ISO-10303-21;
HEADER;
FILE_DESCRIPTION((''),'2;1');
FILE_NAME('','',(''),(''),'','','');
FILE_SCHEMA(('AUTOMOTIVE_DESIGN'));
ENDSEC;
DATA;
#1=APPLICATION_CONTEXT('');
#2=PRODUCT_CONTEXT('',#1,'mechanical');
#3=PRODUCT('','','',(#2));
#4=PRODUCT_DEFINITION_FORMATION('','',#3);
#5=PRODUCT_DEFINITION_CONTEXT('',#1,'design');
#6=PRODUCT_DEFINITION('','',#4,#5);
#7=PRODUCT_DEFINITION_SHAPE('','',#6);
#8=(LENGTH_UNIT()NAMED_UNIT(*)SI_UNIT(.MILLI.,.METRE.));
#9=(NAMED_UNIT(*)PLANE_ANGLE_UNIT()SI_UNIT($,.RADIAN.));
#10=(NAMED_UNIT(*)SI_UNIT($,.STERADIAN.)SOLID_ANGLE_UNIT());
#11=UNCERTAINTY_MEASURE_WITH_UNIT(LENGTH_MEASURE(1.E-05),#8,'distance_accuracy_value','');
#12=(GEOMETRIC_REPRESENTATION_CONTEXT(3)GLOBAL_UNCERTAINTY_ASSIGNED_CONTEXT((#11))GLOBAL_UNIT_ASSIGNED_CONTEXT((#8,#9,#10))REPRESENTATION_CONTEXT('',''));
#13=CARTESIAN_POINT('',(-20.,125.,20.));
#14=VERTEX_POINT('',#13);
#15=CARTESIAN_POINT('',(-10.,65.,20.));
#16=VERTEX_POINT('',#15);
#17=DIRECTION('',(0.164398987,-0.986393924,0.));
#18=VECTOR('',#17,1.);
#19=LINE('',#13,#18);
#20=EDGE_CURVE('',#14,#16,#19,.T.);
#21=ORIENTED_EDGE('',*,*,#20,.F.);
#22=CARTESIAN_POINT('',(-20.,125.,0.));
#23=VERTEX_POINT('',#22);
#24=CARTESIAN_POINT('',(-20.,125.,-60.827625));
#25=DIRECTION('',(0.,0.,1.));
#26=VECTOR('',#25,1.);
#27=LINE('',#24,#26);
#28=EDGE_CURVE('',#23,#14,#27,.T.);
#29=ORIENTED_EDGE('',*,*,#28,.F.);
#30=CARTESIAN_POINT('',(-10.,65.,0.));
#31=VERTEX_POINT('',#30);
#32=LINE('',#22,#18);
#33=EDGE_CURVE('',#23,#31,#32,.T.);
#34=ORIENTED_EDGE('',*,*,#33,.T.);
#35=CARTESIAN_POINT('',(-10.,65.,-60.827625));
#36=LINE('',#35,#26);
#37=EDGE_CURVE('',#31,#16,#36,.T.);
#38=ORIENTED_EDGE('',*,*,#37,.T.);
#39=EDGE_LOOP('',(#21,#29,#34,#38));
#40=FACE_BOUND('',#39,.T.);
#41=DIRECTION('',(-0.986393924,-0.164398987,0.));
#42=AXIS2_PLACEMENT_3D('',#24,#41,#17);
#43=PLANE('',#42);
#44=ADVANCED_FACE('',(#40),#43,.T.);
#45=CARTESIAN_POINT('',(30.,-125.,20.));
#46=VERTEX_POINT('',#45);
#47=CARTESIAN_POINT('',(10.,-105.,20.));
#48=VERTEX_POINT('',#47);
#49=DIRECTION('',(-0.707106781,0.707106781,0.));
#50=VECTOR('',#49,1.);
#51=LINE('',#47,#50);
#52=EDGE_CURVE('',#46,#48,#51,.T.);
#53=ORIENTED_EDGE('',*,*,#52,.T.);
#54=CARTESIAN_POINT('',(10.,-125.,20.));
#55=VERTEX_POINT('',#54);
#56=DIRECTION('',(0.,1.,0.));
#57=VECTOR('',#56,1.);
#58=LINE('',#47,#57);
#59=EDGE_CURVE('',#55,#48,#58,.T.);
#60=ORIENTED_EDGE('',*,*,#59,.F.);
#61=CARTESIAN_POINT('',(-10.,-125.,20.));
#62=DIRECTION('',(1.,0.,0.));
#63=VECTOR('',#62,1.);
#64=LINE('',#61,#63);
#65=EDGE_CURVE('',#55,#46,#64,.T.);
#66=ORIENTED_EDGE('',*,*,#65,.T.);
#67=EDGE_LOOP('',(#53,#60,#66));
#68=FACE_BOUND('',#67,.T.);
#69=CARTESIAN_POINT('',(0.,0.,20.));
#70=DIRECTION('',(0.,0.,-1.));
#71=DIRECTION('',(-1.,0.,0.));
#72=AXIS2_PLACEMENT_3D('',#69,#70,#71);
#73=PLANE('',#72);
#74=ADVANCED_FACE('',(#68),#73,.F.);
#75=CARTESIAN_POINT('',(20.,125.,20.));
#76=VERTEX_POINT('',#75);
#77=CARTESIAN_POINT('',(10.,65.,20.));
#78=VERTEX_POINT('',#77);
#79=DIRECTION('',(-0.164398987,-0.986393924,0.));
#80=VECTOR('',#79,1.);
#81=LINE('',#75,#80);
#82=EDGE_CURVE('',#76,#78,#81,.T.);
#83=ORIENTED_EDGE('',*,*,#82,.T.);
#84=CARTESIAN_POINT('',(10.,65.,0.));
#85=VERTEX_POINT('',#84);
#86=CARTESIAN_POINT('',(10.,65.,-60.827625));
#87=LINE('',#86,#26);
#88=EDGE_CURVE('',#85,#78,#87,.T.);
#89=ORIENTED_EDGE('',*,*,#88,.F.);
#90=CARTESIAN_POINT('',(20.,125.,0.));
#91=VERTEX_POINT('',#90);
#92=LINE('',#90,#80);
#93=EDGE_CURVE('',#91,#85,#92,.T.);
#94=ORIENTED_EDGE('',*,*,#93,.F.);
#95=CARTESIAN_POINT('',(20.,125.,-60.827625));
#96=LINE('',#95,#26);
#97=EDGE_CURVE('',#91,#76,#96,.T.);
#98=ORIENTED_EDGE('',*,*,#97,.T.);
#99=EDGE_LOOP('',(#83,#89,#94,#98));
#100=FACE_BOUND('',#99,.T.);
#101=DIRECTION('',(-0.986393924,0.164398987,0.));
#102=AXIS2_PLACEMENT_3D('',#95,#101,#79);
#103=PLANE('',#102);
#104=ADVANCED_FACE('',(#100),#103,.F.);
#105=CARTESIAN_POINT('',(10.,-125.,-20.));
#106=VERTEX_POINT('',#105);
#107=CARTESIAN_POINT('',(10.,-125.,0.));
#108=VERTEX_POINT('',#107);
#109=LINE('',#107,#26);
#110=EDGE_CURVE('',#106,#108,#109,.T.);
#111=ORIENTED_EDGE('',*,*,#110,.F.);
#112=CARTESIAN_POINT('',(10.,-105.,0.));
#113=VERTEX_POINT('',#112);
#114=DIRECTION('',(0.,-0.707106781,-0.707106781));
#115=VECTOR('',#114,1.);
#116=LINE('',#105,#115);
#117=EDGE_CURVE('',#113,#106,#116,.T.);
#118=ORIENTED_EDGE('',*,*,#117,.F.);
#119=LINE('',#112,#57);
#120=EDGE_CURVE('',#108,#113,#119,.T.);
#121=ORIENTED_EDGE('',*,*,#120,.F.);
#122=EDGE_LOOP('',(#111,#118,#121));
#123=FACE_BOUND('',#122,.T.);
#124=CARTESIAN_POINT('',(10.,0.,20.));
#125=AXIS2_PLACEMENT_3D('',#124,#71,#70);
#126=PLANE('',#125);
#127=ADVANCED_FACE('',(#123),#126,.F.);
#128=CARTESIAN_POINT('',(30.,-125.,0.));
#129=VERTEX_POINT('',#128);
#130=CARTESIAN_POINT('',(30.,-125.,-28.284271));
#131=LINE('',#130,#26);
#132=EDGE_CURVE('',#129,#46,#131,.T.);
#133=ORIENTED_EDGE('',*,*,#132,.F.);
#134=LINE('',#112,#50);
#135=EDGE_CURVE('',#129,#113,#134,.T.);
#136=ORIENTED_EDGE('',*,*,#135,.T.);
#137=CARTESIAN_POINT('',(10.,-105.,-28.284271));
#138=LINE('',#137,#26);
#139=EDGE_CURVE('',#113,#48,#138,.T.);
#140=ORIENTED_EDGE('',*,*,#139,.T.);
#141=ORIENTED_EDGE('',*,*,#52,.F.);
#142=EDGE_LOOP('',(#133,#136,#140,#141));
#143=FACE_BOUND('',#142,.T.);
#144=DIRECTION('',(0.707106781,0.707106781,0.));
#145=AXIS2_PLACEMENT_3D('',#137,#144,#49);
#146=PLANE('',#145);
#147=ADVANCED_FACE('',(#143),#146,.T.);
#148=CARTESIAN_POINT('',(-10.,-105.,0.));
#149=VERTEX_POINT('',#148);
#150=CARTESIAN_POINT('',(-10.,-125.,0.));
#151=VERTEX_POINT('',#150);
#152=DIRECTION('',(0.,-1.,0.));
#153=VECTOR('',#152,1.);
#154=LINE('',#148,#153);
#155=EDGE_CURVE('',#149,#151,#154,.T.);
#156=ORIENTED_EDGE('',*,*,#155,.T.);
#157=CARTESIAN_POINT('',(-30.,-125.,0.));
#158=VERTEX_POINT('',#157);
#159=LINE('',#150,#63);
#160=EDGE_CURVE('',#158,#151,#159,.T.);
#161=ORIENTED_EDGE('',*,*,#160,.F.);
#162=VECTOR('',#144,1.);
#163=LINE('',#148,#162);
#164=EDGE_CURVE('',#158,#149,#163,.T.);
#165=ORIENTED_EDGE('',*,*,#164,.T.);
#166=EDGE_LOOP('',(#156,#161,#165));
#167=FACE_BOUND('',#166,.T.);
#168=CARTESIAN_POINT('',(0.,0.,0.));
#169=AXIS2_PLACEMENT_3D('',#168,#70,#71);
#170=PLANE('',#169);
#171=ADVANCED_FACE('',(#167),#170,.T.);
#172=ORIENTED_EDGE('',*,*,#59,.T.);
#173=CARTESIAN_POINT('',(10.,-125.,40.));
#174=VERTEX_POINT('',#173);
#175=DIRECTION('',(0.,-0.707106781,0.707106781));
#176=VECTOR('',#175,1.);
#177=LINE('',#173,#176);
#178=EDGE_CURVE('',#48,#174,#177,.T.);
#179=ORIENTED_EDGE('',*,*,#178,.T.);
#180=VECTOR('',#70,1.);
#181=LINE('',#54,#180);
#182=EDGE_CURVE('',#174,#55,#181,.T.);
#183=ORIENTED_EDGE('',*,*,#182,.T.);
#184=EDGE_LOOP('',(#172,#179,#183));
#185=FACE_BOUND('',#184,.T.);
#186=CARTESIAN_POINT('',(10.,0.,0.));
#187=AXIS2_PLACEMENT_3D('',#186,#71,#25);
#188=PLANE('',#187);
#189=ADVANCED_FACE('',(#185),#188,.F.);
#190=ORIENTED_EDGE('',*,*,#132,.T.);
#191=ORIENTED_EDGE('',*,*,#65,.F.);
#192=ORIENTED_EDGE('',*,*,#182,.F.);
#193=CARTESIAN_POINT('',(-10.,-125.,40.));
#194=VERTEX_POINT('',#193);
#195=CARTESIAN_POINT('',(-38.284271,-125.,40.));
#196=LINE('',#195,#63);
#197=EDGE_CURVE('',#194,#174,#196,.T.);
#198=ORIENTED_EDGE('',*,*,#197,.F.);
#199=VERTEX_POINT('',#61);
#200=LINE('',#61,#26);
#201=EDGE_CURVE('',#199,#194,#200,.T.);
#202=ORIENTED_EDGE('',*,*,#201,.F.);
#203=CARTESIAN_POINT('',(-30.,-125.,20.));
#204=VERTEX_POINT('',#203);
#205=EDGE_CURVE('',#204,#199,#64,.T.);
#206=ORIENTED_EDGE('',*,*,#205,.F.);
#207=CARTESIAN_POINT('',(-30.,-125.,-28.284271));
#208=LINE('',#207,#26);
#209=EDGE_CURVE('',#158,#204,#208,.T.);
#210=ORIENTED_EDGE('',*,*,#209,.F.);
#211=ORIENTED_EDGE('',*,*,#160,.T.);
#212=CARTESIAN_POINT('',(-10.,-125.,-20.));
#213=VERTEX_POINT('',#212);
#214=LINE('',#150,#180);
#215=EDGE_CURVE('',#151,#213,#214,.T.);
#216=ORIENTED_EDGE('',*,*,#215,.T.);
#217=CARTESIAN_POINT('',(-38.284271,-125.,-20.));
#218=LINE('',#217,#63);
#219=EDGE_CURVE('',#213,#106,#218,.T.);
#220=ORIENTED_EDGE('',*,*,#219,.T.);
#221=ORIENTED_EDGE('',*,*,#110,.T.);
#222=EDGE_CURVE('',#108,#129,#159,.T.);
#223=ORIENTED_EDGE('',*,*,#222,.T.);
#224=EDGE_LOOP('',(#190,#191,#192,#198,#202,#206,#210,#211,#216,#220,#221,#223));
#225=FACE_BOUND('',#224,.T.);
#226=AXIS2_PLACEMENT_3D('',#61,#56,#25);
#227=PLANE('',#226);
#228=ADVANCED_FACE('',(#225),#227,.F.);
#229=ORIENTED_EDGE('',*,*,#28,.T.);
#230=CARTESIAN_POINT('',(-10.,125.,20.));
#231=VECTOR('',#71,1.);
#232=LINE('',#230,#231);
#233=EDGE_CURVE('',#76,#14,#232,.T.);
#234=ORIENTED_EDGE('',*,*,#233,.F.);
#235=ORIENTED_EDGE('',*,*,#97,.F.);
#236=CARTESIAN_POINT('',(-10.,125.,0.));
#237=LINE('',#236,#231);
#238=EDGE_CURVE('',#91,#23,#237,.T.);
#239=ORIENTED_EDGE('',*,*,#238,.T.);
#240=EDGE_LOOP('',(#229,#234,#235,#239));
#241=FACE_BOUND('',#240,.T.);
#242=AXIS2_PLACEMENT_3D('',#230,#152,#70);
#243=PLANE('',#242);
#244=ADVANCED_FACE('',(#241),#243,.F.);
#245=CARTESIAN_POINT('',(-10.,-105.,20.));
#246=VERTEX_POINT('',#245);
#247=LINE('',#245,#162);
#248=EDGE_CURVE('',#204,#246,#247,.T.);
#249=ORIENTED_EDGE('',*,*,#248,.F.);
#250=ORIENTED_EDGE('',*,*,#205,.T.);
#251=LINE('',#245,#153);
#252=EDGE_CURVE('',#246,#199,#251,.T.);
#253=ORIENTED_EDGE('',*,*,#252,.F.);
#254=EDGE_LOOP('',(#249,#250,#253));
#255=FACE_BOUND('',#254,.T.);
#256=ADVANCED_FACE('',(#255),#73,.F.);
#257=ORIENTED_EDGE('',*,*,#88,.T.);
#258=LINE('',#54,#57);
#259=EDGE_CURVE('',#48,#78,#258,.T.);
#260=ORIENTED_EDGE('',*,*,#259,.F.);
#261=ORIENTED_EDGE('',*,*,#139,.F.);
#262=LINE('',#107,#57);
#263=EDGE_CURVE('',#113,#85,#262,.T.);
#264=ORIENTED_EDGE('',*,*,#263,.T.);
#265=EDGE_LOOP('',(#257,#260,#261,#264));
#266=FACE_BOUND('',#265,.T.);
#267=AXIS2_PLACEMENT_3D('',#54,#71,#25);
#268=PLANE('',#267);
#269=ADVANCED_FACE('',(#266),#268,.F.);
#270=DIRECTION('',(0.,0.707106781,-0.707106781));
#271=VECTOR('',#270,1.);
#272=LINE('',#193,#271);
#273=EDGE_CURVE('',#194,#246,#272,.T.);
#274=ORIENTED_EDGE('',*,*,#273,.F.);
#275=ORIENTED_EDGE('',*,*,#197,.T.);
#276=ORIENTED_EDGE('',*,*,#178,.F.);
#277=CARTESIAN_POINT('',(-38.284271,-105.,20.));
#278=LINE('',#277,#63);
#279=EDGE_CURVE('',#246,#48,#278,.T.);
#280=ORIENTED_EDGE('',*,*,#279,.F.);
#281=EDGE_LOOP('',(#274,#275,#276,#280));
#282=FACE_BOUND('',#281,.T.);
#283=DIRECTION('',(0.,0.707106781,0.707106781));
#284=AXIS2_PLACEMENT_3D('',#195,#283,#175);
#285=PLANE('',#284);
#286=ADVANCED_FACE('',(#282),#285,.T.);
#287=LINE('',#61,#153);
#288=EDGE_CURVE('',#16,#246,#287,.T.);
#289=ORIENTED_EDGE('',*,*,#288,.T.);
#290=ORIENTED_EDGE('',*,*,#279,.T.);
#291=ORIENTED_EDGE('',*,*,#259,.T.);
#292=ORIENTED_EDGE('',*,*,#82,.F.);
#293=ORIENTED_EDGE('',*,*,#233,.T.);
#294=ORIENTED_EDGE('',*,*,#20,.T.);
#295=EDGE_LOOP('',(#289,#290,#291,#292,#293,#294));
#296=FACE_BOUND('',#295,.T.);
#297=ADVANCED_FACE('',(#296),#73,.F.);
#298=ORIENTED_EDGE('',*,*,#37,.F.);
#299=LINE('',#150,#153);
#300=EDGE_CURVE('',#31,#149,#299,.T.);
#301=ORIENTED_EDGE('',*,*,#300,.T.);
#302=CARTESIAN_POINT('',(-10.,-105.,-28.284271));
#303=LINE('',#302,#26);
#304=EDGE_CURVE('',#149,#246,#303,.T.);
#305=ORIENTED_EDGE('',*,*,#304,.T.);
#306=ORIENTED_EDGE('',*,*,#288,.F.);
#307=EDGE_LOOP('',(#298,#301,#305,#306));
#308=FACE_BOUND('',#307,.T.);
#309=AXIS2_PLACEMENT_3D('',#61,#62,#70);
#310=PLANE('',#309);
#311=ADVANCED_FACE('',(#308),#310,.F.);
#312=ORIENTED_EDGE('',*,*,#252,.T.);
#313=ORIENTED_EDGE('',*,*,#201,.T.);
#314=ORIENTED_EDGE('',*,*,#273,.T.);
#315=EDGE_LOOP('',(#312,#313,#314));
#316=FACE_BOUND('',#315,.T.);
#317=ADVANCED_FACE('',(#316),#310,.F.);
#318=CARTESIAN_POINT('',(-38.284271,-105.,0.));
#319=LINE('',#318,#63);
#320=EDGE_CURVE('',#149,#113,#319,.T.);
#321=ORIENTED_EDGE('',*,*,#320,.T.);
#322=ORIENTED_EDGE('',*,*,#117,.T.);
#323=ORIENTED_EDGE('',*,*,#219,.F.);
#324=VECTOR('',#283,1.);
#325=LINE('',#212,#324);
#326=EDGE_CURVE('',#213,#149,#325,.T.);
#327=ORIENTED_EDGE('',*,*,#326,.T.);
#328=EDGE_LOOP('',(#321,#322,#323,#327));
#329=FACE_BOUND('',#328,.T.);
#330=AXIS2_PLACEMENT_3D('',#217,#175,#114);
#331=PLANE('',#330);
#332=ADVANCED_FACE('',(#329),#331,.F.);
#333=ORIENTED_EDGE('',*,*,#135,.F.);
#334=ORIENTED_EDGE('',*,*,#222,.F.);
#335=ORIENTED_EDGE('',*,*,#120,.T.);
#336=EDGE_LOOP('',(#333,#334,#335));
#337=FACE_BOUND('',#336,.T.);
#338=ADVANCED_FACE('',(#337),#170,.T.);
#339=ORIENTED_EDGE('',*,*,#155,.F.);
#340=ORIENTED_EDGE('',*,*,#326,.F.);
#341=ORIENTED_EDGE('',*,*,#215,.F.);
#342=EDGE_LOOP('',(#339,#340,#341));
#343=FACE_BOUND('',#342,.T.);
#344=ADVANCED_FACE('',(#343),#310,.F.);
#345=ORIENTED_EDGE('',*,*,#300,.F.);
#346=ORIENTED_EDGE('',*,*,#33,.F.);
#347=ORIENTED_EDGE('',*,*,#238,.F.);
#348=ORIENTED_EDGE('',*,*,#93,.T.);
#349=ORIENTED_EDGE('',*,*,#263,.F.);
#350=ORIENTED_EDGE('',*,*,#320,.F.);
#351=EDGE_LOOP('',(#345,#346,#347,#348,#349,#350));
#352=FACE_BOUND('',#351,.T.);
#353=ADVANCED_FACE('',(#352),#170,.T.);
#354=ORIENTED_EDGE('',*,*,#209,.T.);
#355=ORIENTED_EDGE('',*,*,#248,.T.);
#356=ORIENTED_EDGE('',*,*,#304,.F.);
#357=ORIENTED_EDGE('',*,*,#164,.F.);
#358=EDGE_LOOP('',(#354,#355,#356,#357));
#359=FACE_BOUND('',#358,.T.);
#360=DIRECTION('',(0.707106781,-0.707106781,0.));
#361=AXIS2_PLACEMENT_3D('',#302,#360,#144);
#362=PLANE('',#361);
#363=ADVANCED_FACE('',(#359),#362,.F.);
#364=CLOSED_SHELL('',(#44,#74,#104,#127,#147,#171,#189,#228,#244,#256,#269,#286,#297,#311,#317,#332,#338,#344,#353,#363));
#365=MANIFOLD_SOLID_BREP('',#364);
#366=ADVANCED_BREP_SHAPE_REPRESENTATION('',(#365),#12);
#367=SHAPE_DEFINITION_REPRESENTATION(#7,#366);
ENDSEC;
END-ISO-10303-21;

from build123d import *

# Parameters (mm, degrees)
SKETCH1_W           = 20
SKETCH1_H           = 250
BOSS_EXTRUDE1_DEPTH = 20
BOSS_EXTRUDE2_DEPTH = 20
BOSS_EXTRUDE3_DEPTH = 20
BOSS_EXTRUDE4_DEPTH = 20


with BuildPart() as part:
    # Sketch1 → Boss-Extrude1 (new body)
    with BuildSketch(Plane.XY):
        Rectangle(SKETCH1_W, SKETCH1_H)
    extrude(amount=BOSS_EXTRUDE1_DEPTH)

    # Sketch2 → Boss-Extrude2 (add)
    with BuildSketch(Plane.XY.offset(20)):
        Polygon((10, -125), (10, -105), (30, -125), align=None)
    boss_extrude2 = extrude(amount=-BOSS_EXTRUDE2_DEPTH)

    # Mirror2: Boss-Extrude2 across plane
    add(boss_extrude2.mirror(Plane(origin=(0, 0, 0), x_dir=(0, 0, 1), z_dir=(1, 0, 0))))

    # Sketch3 → Boss-Extrude3 (add)
    with BuildSketch(Plane(origin=(10, 0, 0), x_dir=(0, 0, -1), z_dir=(1, 0, 0))):
        Polygon((-20, -105), (-20, -125), (-40, -125), align=None)
    boss_extrude3 = extrude(amount=-BOSS_EXTRUDE3_DEPTH)

    # Mirror3: Boss-Extrude3 across plane
    add(boss_extrude3.mirror(Plane(origin=(0, 0, 10), x_dir=(1, 0, 0), z_dir=(0, 0, -1))))

    # Sketch4 → Boss-Extrude4 (add)
    with BuildSketch(Plane.XY.offset(20)):
        Polygon((-10, 125), (-20, 125), (-10, 65), align=None)
    boss_extrude4 = extrude(amount=-BOSS_EXTRUDE4_DEPTH)

    # Mirror4: Boss-Extrude4 across plane
    add(boss_extrude4.mirror(Plane(origin=(0, 0, 0), x_dir=(0, 0, 1), z_dir=(1, 0, 0))))


solid = part.part
